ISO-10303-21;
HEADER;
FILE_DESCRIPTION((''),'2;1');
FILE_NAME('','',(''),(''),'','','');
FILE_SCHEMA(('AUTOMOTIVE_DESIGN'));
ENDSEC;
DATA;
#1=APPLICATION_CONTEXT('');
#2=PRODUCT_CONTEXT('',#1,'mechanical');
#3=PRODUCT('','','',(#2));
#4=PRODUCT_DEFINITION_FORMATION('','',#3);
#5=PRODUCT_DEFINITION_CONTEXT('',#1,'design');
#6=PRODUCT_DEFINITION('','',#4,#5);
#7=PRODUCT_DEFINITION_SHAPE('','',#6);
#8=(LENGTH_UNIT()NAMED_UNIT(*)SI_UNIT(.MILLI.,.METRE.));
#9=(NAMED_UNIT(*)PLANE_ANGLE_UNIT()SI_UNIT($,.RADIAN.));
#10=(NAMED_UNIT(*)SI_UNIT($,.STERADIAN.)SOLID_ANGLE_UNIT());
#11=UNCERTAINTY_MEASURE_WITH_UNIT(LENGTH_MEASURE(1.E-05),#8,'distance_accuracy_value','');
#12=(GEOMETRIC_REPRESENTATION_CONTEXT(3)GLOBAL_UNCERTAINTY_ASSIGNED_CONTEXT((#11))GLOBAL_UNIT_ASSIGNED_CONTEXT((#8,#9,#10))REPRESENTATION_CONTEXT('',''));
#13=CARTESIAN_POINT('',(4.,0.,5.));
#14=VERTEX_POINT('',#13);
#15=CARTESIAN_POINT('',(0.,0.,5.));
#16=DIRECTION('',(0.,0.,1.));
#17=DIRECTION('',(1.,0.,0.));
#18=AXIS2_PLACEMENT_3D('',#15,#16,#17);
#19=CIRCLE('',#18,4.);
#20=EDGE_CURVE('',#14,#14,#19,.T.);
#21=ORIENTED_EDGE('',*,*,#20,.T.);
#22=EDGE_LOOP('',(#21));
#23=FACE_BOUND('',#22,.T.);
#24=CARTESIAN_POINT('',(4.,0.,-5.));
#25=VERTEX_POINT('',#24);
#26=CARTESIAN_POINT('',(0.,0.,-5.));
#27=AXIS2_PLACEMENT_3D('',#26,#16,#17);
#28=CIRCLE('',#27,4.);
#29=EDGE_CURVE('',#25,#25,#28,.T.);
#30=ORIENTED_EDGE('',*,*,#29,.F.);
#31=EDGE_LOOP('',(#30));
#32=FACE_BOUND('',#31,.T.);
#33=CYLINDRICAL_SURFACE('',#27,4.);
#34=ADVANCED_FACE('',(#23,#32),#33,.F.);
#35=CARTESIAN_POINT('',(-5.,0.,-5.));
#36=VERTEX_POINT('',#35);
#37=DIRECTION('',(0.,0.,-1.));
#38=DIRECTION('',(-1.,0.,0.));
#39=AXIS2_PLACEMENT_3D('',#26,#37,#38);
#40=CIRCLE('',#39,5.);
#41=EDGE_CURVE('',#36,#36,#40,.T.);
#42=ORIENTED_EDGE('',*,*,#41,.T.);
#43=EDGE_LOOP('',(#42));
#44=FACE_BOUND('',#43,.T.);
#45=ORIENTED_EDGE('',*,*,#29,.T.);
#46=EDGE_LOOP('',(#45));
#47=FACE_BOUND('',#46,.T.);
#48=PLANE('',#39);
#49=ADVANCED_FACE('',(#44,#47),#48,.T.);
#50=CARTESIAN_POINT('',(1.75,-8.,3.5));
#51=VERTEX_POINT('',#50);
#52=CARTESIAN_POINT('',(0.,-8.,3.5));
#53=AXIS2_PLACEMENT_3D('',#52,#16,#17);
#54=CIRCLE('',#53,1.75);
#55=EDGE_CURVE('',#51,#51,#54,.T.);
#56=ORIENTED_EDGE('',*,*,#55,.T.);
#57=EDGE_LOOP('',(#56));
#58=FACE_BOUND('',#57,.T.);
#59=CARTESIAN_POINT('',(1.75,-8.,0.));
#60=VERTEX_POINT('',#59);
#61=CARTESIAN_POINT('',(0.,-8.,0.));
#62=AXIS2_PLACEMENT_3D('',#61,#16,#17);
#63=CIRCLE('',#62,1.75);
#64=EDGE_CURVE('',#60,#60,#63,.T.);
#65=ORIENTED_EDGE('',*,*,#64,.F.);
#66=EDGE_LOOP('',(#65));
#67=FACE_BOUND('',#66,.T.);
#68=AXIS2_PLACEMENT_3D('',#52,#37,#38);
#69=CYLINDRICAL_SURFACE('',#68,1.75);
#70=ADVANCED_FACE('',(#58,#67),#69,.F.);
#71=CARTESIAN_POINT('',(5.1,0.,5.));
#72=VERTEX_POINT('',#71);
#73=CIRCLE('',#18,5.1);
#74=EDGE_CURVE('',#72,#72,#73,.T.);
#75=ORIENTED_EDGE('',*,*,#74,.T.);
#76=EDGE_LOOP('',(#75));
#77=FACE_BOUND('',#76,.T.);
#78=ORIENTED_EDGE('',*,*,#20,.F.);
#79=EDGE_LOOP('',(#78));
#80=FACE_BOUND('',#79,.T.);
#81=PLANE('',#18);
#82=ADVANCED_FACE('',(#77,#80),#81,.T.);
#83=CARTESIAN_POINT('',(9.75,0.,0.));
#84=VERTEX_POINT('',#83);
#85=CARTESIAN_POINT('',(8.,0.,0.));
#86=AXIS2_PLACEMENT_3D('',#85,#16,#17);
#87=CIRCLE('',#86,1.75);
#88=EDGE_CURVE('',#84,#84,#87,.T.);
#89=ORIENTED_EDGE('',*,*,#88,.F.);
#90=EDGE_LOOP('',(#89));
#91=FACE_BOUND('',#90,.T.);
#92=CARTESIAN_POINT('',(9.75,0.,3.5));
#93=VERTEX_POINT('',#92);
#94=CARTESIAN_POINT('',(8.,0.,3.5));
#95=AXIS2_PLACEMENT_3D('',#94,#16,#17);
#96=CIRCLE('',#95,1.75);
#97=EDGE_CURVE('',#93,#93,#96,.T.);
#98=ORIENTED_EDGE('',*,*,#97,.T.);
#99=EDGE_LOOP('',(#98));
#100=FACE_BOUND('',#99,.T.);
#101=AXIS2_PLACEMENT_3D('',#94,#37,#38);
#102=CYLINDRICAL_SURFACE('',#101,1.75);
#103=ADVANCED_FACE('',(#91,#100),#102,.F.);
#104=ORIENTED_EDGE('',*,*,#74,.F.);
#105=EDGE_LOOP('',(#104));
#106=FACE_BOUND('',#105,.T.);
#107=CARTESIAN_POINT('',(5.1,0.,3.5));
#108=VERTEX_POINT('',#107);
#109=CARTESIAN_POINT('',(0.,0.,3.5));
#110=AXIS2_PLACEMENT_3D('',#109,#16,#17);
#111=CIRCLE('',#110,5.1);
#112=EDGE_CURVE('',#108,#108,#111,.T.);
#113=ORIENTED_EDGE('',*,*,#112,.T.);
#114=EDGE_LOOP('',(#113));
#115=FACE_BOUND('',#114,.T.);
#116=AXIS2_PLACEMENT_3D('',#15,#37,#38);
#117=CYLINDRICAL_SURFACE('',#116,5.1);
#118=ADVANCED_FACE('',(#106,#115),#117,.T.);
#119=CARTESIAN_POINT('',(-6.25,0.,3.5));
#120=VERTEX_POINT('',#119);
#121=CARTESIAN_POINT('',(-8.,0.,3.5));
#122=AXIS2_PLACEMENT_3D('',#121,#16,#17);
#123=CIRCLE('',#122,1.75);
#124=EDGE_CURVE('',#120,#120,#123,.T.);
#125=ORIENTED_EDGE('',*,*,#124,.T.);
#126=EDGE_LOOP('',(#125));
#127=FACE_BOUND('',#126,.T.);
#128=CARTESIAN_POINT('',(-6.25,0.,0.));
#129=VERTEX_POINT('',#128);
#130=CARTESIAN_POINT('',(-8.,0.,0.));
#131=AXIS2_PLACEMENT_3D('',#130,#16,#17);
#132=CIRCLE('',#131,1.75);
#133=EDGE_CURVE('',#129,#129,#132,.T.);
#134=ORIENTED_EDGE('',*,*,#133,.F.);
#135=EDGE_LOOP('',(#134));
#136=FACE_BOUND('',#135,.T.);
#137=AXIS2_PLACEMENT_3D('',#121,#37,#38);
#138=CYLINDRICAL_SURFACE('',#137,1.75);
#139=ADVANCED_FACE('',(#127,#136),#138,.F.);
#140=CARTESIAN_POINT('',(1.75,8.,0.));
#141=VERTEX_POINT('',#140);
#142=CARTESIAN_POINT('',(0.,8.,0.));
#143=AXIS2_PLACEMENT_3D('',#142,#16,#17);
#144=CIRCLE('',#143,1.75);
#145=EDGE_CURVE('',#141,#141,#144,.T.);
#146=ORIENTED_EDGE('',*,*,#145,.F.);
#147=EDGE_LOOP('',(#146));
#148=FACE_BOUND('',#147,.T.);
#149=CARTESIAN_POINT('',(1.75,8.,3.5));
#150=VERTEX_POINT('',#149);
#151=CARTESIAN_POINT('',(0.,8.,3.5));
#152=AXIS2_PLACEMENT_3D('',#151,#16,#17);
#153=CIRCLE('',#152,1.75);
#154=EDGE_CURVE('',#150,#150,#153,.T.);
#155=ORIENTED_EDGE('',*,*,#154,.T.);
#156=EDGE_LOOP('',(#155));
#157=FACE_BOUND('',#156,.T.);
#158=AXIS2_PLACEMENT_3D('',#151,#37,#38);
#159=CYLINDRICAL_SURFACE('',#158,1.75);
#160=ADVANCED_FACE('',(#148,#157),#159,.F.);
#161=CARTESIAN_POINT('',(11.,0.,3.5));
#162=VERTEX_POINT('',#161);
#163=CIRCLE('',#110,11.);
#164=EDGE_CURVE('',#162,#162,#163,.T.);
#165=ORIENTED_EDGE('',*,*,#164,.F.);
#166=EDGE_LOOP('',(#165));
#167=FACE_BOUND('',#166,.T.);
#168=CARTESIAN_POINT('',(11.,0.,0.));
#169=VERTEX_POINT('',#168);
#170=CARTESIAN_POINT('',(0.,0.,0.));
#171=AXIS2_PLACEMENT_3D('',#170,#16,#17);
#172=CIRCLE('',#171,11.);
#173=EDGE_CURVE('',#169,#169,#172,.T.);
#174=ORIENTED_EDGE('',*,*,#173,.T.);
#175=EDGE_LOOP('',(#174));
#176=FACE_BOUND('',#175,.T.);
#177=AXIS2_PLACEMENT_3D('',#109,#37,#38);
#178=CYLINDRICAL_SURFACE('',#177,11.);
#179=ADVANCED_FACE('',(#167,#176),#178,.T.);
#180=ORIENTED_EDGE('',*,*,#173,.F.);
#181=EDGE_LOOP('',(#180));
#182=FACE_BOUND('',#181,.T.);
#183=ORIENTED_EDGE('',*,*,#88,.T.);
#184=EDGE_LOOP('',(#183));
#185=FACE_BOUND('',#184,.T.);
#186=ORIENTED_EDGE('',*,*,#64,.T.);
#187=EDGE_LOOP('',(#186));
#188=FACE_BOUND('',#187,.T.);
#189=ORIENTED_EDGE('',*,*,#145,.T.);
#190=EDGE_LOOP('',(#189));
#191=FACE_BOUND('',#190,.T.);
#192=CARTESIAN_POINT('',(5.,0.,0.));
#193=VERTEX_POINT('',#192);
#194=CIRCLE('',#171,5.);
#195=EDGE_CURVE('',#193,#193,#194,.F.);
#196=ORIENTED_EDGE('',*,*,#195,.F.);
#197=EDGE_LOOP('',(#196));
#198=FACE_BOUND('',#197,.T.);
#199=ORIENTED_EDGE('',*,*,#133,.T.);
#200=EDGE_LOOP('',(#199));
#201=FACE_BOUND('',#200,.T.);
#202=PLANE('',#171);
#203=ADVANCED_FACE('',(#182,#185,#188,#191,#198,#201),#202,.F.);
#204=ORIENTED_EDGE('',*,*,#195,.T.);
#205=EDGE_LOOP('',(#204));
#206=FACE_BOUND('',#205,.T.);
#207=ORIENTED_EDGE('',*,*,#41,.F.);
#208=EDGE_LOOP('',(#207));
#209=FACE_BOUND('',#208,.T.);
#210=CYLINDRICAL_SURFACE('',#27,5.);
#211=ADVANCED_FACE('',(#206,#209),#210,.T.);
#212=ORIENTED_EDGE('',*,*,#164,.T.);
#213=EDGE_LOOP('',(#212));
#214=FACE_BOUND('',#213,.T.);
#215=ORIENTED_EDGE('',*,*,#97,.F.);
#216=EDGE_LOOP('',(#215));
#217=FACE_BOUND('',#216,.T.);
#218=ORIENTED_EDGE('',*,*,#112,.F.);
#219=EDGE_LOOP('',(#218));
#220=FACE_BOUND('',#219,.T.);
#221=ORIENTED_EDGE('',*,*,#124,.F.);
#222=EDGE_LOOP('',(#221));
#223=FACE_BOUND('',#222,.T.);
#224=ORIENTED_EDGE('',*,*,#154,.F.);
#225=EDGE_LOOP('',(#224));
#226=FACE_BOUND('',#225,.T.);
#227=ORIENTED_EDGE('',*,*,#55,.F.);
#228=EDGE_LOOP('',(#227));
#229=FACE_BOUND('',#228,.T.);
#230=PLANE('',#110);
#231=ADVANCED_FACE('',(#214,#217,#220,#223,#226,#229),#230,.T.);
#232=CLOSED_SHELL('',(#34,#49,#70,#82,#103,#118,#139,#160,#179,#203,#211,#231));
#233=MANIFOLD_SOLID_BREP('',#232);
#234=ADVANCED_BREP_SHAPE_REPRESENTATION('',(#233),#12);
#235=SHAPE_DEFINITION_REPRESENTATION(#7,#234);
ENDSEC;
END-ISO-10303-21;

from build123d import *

# Parameters (mm, degrees)
SKETCH_1_R          = 11
SKETCH_1_R_2        = 1.75
EXTRUDE_2_DEPTH     = 3.5
SKETCH_2_R          = 5.1
EXTRUDE_4_DEPTH     = 1.5
SKETCH_3_R          = 5
EXTRUDE_5_DEPTH     = 5
SKETCH_4_R          = 4
CUT_EXTRUDE_4_DEPTH = 11


with BuildPart() as part:
    # 草圖1 → 填料-伸長2 (new body)
    with BuildSketch(Plane.XY):
        Circle(SKETCH_1_R)
        with Locations((0, 8)):
            Circle(SKETCH_1_R_2, mode=Mode.SUBTRACT)
        with Locations((8, 0)):
            Circle(SKETCH_1_R_2, mode=Mode.SUBTRACT)
        with Locations((0, -8)):
            Circle(SKETCH_1_R_2, mode=Mode.SUBTRACT)
        with Locations((-8, 0)):
            Circle(SKETCH_1_R_2, mode=Mode.SUBTRACT)
    extrude(amount=EXTRUDE_2_DEPTH)

    # 草圖2 → 填料-伸長4 (add)
    with BuildSketch(Plane.XY.offset(3.5)):
        Circle(SKETCH_2_R)
    extrude(amount=EXTRUDE_4_DEPTH)

    # 草圖3 → 填料-伸長5 (add)
    with BuildSketch(Plane(origin=(0, 0, 0), x_dir=(-1, 0, 0), z_dir=(0, 0, -1))):
        Circle(SKETCH_3_R)
    extrude(amount=EXTRUDE_5_DEPTH)

    # 草圖4 → 除料-伸長4 (cut, through all)
    with BuildSketch(Plane.XY.offset(5)):
        Circle(SKETCH_4_R)
    extrude(amount=-CUT_EXTRUDE_4_DEPTH, mode=Mode.SUBTRACT)


solid = part.part
